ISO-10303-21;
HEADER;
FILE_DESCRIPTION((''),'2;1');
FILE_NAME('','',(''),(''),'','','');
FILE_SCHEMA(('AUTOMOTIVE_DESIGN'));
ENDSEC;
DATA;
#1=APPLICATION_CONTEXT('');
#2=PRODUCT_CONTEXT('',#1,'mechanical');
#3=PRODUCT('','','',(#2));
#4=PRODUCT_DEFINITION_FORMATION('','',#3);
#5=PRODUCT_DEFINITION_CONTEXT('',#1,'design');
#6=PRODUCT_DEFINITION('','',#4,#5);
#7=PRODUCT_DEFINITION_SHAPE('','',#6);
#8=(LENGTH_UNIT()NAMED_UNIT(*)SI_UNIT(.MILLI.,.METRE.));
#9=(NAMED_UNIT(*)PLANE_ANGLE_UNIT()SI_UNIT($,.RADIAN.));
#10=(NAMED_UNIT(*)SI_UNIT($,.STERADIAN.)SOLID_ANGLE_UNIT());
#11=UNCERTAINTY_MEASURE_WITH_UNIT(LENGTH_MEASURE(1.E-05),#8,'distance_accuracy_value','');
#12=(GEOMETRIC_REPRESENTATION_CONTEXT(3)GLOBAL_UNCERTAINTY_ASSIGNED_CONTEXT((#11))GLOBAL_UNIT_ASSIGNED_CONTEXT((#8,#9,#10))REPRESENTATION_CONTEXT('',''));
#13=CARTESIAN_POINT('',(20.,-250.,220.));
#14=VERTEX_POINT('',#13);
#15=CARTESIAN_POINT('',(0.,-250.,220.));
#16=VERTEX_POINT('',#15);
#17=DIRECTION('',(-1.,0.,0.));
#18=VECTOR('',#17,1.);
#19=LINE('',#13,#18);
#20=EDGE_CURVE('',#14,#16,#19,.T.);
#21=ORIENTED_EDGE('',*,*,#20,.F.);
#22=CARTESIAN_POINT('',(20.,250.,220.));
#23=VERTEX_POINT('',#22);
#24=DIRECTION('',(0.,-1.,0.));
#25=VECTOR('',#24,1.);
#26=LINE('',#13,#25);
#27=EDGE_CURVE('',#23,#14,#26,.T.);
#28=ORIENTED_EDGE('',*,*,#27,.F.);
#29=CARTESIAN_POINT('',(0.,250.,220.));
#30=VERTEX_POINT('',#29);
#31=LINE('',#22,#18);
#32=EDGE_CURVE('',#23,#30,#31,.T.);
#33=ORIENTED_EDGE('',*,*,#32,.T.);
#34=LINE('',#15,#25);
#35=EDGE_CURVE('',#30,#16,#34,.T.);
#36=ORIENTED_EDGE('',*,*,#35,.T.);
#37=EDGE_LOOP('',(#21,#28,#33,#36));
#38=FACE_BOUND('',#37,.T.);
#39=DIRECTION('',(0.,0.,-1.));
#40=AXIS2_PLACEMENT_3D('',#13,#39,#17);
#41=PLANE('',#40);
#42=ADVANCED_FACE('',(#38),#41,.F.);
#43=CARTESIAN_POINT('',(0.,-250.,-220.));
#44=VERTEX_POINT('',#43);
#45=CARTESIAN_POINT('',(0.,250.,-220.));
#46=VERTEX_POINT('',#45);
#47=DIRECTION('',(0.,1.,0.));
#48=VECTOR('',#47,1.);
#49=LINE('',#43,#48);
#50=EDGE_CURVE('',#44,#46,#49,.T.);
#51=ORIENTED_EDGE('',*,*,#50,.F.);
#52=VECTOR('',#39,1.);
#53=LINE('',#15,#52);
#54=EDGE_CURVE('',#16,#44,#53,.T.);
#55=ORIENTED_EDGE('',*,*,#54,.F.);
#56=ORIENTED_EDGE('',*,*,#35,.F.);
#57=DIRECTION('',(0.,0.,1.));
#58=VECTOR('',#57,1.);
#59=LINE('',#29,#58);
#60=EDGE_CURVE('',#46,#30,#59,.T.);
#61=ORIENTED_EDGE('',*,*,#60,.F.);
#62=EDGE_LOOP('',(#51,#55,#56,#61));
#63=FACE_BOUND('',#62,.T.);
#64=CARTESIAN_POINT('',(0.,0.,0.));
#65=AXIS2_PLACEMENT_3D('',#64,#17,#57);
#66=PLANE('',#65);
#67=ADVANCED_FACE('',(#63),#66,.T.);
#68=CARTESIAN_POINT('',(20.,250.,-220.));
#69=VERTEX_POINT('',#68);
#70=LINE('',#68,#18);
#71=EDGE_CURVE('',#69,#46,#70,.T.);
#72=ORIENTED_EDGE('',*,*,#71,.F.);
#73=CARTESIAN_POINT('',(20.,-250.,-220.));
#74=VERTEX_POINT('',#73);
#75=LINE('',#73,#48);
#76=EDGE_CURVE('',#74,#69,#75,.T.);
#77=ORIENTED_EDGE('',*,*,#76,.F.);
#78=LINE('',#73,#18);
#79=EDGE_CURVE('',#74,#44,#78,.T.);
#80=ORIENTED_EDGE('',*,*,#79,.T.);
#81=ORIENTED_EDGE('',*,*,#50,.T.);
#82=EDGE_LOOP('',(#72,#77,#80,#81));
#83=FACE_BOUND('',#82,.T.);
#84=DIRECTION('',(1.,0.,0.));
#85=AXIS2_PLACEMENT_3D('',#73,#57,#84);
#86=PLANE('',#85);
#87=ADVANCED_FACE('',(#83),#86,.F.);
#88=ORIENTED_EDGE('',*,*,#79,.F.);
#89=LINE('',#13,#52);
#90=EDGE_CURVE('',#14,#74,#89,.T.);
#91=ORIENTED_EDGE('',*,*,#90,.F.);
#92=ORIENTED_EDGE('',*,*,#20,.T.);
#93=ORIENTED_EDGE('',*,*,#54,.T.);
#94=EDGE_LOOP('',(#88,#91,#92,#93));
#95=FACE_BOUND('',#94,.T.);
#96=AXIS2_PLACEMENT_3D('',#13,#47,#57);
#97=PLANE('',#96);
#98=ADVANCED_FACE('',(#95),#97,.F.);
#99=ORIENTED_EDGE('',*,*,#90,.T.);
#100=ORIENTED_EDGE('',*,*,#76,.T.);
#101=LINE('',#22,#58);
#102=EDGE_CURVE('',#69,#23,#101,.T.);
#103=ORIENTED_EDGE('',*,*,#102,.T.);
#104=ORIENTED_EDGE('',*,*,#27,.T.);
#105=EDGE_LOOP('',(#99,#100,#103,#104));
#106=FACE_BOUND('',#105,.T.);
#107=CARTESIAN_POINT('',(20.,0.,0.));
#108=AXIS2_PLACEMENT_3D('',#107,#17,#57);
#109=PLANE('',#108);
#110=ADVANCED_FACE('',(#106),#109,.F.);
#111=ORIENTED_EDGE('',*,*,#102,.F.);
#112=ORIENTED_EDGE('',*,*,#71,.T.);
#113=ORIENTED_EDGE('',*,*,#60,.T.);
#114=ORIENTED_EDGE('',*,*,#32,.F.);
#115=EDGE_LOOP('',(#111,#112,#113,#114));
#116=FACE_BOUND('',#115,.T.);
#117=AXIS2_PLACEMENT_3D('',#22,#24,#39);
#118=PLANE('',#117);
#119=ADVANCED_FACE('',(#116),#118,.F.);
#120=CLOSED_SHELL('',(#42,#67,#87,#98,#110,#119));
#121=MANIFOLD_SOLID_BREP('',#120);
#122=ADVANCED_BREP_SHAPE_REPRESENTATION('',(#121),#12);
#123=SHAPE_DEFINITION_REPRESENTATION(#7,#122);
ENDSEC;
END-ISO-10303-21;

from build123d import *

# Parameters (mm, degrees)
ESQUISSE1_W        = 440
ESQUISSE1_H        = 500
BOSS_EXTRU_1_DEPTH = 20


with BuildPart() as part:
    # Esquisse1 → Boss.-Extru.1 (new body)
    with BuildSketch(Plane(origin=(0, 0, 0), x_dir=(0, 0, -1), z_dir=(1, 0, 0))):
        Rectangle(ESQUISSE1_W, ESQUISSE1_H)
    extrude(amount=BOSS_EXTRU_1_DEPTH)


solid = part.part
